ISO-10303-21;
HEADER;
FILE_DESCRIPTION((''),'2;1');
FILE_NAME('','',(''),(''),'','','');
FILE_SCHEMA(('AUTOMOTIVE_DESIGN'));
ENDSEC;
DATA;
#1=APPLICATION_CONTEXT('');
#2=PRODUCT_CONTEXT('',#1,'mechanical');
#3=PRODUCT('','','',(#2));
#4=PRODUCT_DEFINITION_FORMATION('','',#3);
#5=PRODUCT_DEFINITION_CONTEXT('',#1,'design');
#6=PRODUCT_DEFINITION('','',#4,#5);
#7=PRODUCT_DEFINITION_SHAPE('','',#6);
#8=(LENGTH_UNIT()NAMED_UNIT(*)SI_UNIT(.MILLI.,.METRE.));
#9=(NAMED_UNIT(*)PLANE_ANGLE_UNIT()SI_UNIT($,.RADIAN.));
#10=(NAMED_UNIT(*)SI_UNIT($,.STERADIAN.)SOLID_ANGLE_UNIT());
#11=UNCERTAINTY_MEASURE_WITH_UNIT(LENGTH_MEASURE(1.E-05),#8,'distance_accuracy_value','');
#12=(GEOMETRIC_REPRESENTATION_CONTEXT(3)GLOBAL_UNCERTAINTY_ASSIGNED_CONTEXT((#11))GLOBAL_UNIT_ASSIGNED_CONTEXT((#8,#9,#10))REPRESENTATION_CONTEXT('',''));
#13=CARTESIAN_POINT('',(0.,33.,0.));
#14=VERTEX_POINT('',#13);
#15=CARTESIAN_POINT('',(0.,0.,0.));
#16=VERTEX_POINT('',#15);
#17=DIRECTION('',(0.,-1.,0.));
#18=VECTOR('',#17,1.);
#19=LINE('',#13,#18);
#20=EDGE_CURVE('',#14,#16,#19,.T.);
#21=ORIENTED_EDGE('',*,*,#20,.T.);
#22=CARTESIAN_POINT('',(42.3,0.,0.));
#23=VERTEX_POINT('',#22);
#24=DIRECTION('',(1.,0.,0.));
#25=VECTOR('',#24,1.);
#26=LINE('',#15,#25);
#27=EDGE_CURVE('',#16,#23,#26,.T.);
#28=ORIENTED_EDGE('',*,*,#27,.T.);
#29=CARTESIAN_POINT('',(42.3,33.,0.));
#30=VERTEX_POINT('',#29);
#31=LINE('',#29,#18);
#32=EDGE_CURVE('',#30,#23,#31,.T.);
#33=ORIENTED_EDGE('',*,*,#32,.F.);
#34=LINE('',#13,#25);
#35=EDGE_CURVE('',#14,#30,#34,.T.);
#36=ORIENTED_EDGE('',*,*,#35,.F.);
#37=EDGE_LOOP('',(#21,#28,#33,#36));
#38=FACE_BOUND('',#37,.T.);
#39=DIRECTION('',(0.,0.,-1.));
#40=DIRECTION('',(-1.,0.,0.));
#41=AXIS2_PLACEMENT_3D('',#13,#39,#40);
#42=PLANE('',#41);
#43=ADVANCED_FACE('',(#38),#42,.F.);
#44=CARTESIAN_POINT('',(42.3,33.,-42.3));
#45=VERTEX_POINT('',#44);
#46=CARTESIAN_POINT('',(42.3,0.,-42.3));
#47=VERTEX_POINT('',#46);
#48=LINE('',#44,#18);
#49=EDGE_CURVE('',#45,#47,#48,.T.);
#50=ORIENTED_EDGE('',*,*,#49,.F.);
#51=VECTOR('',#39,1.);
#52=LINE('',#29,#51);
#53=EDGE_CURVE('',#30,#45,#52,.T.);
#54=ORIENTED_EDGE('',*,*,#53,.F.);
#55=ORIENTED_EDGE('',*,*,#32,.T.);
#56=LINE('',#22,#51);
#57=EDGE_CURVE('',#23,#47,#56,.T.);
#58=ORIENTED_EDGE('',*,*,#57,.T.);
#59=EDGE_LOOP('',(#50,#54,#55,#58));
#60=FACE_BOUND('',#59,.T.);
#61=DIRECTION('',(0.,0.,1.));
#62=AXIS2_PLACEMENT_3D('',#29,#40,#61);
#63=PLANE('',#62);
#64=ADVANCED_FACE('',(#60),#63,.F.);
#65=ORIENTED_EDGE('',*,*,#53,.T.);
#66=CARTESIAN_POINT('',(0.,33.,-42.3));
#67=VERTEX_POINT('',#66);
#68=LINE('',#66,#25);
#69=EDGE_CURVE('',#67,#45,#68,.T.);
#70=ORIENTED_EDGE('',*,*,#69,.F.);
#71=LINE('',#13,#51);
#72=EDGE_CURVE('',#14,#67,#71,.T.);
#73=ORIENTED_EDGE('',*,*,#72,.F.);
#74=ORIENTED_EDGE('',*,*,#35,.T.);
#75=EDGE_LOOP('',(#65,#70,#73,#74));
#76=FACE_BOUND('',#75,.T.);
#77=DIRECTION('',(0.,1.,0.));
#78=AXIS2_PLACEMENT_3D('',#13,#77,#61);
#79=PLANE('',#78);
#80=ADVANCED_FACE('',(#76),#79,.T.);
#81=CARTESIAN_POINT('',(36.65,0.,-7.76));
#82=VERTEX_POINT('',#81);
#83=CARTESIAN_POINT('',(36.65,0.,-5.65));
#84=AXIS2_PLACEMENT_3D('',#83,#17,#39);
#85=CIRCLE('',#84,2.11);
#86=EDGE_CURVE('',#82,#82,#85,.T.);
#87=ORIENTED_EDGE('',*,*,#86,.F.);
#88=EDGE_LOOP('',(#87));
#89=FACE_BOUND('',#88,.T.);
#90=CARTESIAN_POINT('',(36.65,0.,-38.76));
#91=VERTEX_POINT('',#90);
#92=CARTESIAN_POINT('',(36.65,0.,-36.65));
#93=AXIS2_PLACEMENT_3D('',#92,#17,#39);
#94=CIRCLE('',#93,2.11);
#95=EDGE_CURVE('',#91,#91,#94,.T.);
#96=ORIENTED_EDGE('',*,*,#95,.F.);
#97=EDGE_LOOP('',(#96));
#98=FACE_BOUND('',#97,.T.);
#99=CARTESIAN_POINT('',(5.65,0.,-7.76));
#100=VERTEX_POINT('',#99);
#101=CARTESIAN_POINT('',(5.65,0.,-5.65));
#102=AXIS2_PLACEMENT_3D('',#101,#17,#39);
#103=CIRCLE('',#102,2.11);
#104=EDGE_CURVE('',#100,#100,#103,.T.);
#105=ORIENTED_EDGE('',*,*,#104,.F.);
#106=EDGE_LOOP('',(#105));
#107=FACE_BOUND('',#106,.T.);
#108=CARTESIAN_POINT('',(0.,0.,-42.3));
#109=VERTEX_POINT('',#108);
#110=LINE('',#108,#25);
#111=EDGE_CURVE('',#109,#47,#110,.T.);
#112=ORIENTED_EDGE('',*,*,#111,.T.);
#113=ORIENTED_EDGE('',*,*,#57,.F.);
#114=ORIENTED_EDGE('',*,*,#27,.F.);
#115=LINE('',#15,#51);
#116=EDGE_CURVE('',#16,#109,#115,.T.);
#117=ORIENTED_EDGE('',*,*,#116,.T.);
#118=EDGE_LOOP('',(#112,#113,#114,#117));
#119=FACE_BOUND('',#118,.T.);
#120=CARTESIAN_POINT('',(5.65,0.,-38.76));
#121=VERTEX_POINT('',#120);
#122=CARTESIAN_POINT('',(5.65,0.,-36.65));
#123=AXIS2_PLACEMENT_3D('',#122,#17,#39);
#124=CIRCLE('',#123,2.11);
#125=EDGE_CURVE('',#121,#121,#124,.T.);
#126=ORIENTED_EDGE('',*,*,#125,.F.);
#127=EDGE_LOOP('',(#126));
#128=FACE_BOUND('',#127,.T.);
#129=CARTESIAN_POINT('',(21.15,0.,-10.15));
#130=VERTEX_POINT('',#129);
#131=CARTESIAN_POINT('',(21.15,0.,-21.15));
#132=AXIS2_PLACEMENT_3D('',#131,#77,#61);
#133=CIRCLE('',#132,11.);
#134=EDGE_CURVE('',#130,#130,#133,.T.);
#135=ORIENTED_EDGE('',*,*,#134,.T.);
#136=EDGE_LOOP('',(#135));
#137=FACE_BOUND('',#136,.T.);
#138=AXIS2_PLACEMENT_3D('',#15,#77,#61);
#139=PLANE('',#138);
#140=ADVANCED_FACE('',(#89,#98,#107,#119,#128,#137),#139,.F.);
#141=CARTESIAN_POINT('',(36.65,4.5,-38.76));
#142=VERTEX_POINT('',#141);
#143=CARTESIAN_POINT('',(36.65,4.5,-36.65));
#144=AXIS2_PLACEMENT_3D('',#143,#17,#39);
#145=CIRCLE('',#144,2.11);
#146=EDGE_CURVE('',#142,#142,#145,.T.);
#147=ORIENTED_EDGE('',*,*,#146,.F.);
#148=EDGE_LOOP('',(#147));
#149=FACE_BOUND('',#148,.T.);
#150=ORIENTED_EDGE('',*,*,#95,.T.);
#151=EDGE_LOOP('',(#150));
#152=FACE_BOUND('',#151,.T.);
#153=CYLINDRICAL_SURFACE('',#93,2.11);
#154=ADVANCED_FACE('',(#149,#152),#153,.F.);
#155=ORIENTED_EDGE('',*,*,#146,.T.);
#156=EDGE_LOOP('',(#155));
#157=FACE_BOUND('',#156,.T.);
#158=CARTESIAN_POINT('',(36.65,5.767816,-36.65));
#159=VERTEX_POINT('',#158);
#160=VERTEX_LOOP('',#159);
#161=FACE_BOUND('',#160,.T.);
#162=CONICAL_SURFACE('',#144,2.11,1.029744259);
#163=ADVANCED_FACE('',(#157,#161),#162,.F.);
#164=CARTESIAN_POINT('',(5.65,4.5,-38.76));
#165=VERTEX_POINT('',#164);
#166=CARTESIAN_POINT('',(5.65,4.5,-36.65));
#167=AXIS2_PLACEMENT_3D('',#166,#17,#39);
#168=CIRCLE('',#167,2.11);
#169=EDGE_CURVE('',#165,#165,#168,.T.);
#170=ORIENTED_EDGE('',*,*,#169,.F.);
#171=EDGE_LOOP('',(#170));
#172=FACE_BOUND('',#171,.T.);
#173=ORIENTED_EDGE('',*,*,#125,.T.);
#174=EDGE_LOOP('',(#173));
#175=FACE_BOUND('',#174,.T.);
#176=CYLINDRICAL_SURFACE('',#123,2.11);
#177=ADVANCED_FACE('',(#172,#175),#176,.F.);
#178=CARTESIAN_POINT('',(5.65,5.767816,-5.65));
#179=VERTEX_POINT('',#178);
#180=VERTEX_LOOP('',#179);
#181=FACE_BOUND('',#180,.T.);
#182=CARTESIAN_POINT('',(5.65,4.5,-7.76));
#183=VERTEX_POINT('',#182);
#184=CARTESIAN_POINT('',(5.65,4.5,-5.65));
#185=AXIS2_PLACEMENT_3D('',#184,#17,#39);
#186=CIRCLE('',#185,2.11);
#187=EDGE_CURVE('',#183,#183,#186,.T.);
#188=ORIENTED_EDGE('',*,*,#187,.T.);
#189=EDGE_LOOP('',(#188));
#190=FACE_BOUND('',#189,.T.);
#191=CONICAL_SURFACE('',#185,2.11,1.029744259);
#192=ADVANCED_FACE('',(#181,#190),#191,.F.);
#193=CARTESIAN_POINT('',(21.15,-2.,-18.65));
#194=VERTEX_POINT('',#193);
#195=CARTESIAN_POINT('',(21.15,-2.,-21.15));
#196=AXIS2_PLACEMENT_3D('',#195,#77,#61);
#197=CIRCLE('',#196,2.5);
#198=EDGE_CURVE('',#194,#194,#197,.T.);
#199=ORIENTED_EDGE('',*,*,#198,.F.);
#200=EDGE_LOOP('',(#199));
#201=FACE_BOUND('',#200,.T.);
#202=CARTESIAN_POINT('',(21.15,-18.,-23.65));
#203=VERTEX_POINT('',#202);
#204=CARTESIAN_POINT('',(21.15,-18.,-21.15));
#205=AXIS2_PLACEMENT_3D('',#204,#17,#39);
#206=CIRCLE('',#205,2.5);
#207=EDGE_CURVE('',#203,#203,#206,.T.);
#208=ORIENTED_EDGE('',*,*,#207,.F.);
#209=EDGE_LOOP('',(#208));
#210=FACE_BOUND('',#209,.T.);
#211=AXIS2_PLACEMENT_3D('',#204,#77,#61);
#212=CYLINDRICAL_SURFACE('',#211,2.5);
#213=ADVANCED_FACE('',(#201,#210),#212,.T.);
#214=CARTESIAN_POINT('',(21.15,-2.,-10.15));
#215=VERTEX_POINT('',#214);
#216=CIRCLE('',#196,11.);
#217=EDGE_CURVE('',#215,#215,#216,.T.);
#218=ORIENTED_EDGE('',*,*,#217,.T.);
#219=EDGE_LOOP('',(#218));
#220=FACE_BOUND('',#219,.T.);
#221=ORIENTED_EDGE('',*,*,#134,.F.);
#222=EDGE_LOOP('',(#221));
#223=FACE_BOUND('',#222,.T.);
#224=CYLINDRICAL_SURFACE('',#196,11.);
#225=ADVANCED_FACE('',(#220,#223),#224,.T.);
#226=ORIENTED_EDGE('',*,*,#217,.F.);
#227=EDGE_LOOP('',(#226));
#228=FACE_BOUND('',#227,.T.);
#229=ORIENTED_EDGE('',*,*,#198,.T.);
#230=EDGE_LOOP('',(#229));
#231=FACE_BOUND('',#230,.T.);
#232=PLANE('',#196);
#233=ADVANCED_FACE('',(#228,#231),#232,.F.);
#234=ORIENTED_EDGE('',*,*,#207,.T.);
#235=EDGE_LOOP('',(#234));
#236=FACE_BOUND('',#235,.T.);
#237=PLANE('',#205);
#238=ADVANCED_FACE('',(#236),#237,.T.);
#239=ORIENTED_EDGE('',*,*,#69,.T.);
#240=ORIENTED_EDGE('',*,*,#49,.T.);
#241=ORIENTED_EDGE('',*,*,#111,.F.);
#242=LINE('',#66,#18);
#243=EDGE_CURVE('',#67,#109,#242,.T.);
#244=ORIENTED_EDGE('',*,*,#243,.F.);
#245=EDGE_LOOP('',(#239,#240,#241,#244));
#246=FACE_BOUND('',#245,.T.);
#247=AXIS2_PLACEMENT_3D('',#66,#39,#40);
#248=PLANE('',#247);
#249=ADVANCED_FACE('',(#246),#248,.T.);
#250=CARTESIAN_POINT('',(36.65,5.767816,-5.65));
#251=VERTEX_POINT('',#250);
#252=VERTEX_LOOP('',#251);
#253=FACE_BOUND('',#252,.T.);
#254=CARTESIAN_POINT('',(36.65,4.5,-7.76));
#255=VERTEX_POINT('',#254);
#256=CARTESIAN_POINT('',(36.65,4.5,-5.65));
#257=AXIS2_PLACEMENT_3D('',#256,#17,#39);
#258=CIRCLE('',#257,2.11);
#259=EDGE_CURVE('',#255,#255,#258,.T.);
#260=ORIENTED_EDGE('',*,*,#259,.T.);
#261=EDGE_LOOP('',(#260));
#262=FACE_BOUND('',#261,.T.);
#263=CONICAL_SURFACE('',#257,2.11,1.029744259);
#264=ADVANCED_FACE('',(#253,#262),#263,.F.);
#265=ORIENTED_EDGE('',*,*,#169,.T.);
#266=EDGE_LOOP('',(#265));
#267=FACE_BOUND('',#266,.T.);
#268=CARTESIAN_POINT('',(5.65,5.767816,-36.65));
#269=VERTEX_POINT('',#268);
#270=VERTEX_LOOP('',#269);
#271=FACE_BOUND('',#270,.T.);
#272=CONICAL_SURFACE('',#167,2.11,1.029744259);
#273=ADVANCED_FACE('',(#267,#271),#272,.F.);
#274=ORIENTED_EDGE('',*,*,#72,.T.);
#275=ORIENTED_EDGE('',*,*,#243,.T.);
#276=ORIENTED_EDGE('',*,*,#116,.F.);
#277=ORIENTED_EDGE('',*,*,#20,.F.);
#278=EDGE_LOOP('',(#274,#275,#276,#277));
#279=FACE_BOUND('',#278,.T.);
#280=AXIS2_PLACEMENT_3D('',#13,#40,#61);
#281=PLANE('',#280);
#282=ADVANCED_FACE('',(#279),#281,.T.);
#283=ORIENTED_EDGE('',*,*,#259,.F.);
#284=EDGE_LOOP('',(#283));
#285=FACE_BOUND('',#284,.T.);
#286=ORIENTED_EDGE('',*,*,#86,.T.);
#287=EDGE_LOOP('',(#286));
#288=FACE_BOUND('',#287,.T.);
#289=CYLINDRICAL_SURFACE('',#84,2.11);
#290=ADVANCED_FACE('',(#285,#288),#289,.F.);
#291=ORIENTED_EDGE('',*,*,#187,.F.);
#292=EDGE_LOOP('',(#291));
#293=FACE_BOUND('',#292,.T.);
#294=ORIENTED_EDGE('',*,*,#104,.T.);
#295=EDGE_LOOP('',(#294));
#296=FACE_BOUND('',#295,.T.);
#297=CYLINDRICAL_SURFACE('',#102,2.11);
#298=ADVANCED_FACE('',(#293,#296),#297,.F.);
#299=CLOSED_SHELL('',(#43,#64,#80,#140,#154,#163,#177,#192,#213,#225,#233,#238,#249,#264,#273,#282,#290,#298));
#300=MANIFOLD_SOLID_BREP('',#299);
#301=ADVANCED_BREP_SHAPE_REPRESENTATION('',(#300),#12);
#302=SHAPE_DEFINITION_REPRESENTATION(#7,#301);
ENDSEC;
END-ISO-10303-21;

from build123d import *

# Parameters (mm, degrees)
SKETCH1_W                          = 42.3
SKETCH1_H                          = 42.3
BOSS_EXTRUDE1_DEPTH                = 33
SKETCH2_R                          = 2.5
BOSS_EXTRUDE3_DEPTH                = 18
HOLE_FOR_M3_300_SC_NUTS_SP_2_D     = 4.22
HOLE_FOR_M3_300_SC_NUTS_SP_2_DEPTH = 4.5
HOLE_FOR_M3_300_SC_NUTS_SP_2_TIP   = 1.267815906
SKETCH5_R                          = 11
BOSS_EXTRUDE4_DEPTH                = 2


with BuildPart() as part:
    # Sketch1 → Boss-Extrude1 (new body)
    with BuildSketch(Plane(origin=(0, 0, 0), x_dir=(1, 0, 0), z_dir=(0, 1, 0))):
        with Locations((21.15, 21.15)):
            Rectangle(SKETCH1_W, SKETCH1_H)
    extrude(amount=BOSS_EXTRUDE1_DEPTH)

    # Sketch2 → Boss-Extrude3 (add)
    with BuildSketch(Plane(origin=(0, 0, 0), x_dir=(-1, 0, 0), z_dir=(0, -1, 0))):
        with Locations(Location((-21.15, 21.15, 0), (0, 0, 270))):
            Circle(SKETCH2_R)
    extrude(amount=BOSS_EXTRUDE3_DEPTH)

    # Hole for M3 300® SC Nuts (SP)2
    with Locations(Plane(origin=(0, 0, 0), x_dir=(-1, 0, 0), z_dir=(0, -1, 0))):
        with Locations((-5.65, 36.65), (-5.65, 5.65), (-36.65, 5.65), (-36.65, 36.65)):
            Hole(HOLE_FOR_M3_300_SC_NUTS_SP_2_D / 2, depth=HOLE_FOR_M3_300_SC_NUTS_SP_2_DEPTH)
            with Locations((0, 0, -(HOLE_FOR_M3_300_SC_NUTS_SP_2_DEPTH + HOLE_FOR_M3_300_SC_NUTS_SP_2_TIP / 2))):  # 118° drill point
                Cone(0, HOLE_FOR_M3_300_SC_NUTS_SP_2_D / 2, HOLE_FOR_M3_300_SC_NUTS_SP_2_TIP, mode=Mode.SUBTRACT)

    # Sketch5 → Boss-Extrude4 (add)
    with BuildSketch(Plane(origin=(0, 0, 0), x_dir=(1, 0, 0), z_dir=(0, 1, 0))):
        with Locations(Location((21.15, 21.15, 0), (0, 0, 270))):
            Circle(SKETCH5_R)
    extrude(amount=-BOSS_EXTRUDE4_DEPTH)


solid = part.part
